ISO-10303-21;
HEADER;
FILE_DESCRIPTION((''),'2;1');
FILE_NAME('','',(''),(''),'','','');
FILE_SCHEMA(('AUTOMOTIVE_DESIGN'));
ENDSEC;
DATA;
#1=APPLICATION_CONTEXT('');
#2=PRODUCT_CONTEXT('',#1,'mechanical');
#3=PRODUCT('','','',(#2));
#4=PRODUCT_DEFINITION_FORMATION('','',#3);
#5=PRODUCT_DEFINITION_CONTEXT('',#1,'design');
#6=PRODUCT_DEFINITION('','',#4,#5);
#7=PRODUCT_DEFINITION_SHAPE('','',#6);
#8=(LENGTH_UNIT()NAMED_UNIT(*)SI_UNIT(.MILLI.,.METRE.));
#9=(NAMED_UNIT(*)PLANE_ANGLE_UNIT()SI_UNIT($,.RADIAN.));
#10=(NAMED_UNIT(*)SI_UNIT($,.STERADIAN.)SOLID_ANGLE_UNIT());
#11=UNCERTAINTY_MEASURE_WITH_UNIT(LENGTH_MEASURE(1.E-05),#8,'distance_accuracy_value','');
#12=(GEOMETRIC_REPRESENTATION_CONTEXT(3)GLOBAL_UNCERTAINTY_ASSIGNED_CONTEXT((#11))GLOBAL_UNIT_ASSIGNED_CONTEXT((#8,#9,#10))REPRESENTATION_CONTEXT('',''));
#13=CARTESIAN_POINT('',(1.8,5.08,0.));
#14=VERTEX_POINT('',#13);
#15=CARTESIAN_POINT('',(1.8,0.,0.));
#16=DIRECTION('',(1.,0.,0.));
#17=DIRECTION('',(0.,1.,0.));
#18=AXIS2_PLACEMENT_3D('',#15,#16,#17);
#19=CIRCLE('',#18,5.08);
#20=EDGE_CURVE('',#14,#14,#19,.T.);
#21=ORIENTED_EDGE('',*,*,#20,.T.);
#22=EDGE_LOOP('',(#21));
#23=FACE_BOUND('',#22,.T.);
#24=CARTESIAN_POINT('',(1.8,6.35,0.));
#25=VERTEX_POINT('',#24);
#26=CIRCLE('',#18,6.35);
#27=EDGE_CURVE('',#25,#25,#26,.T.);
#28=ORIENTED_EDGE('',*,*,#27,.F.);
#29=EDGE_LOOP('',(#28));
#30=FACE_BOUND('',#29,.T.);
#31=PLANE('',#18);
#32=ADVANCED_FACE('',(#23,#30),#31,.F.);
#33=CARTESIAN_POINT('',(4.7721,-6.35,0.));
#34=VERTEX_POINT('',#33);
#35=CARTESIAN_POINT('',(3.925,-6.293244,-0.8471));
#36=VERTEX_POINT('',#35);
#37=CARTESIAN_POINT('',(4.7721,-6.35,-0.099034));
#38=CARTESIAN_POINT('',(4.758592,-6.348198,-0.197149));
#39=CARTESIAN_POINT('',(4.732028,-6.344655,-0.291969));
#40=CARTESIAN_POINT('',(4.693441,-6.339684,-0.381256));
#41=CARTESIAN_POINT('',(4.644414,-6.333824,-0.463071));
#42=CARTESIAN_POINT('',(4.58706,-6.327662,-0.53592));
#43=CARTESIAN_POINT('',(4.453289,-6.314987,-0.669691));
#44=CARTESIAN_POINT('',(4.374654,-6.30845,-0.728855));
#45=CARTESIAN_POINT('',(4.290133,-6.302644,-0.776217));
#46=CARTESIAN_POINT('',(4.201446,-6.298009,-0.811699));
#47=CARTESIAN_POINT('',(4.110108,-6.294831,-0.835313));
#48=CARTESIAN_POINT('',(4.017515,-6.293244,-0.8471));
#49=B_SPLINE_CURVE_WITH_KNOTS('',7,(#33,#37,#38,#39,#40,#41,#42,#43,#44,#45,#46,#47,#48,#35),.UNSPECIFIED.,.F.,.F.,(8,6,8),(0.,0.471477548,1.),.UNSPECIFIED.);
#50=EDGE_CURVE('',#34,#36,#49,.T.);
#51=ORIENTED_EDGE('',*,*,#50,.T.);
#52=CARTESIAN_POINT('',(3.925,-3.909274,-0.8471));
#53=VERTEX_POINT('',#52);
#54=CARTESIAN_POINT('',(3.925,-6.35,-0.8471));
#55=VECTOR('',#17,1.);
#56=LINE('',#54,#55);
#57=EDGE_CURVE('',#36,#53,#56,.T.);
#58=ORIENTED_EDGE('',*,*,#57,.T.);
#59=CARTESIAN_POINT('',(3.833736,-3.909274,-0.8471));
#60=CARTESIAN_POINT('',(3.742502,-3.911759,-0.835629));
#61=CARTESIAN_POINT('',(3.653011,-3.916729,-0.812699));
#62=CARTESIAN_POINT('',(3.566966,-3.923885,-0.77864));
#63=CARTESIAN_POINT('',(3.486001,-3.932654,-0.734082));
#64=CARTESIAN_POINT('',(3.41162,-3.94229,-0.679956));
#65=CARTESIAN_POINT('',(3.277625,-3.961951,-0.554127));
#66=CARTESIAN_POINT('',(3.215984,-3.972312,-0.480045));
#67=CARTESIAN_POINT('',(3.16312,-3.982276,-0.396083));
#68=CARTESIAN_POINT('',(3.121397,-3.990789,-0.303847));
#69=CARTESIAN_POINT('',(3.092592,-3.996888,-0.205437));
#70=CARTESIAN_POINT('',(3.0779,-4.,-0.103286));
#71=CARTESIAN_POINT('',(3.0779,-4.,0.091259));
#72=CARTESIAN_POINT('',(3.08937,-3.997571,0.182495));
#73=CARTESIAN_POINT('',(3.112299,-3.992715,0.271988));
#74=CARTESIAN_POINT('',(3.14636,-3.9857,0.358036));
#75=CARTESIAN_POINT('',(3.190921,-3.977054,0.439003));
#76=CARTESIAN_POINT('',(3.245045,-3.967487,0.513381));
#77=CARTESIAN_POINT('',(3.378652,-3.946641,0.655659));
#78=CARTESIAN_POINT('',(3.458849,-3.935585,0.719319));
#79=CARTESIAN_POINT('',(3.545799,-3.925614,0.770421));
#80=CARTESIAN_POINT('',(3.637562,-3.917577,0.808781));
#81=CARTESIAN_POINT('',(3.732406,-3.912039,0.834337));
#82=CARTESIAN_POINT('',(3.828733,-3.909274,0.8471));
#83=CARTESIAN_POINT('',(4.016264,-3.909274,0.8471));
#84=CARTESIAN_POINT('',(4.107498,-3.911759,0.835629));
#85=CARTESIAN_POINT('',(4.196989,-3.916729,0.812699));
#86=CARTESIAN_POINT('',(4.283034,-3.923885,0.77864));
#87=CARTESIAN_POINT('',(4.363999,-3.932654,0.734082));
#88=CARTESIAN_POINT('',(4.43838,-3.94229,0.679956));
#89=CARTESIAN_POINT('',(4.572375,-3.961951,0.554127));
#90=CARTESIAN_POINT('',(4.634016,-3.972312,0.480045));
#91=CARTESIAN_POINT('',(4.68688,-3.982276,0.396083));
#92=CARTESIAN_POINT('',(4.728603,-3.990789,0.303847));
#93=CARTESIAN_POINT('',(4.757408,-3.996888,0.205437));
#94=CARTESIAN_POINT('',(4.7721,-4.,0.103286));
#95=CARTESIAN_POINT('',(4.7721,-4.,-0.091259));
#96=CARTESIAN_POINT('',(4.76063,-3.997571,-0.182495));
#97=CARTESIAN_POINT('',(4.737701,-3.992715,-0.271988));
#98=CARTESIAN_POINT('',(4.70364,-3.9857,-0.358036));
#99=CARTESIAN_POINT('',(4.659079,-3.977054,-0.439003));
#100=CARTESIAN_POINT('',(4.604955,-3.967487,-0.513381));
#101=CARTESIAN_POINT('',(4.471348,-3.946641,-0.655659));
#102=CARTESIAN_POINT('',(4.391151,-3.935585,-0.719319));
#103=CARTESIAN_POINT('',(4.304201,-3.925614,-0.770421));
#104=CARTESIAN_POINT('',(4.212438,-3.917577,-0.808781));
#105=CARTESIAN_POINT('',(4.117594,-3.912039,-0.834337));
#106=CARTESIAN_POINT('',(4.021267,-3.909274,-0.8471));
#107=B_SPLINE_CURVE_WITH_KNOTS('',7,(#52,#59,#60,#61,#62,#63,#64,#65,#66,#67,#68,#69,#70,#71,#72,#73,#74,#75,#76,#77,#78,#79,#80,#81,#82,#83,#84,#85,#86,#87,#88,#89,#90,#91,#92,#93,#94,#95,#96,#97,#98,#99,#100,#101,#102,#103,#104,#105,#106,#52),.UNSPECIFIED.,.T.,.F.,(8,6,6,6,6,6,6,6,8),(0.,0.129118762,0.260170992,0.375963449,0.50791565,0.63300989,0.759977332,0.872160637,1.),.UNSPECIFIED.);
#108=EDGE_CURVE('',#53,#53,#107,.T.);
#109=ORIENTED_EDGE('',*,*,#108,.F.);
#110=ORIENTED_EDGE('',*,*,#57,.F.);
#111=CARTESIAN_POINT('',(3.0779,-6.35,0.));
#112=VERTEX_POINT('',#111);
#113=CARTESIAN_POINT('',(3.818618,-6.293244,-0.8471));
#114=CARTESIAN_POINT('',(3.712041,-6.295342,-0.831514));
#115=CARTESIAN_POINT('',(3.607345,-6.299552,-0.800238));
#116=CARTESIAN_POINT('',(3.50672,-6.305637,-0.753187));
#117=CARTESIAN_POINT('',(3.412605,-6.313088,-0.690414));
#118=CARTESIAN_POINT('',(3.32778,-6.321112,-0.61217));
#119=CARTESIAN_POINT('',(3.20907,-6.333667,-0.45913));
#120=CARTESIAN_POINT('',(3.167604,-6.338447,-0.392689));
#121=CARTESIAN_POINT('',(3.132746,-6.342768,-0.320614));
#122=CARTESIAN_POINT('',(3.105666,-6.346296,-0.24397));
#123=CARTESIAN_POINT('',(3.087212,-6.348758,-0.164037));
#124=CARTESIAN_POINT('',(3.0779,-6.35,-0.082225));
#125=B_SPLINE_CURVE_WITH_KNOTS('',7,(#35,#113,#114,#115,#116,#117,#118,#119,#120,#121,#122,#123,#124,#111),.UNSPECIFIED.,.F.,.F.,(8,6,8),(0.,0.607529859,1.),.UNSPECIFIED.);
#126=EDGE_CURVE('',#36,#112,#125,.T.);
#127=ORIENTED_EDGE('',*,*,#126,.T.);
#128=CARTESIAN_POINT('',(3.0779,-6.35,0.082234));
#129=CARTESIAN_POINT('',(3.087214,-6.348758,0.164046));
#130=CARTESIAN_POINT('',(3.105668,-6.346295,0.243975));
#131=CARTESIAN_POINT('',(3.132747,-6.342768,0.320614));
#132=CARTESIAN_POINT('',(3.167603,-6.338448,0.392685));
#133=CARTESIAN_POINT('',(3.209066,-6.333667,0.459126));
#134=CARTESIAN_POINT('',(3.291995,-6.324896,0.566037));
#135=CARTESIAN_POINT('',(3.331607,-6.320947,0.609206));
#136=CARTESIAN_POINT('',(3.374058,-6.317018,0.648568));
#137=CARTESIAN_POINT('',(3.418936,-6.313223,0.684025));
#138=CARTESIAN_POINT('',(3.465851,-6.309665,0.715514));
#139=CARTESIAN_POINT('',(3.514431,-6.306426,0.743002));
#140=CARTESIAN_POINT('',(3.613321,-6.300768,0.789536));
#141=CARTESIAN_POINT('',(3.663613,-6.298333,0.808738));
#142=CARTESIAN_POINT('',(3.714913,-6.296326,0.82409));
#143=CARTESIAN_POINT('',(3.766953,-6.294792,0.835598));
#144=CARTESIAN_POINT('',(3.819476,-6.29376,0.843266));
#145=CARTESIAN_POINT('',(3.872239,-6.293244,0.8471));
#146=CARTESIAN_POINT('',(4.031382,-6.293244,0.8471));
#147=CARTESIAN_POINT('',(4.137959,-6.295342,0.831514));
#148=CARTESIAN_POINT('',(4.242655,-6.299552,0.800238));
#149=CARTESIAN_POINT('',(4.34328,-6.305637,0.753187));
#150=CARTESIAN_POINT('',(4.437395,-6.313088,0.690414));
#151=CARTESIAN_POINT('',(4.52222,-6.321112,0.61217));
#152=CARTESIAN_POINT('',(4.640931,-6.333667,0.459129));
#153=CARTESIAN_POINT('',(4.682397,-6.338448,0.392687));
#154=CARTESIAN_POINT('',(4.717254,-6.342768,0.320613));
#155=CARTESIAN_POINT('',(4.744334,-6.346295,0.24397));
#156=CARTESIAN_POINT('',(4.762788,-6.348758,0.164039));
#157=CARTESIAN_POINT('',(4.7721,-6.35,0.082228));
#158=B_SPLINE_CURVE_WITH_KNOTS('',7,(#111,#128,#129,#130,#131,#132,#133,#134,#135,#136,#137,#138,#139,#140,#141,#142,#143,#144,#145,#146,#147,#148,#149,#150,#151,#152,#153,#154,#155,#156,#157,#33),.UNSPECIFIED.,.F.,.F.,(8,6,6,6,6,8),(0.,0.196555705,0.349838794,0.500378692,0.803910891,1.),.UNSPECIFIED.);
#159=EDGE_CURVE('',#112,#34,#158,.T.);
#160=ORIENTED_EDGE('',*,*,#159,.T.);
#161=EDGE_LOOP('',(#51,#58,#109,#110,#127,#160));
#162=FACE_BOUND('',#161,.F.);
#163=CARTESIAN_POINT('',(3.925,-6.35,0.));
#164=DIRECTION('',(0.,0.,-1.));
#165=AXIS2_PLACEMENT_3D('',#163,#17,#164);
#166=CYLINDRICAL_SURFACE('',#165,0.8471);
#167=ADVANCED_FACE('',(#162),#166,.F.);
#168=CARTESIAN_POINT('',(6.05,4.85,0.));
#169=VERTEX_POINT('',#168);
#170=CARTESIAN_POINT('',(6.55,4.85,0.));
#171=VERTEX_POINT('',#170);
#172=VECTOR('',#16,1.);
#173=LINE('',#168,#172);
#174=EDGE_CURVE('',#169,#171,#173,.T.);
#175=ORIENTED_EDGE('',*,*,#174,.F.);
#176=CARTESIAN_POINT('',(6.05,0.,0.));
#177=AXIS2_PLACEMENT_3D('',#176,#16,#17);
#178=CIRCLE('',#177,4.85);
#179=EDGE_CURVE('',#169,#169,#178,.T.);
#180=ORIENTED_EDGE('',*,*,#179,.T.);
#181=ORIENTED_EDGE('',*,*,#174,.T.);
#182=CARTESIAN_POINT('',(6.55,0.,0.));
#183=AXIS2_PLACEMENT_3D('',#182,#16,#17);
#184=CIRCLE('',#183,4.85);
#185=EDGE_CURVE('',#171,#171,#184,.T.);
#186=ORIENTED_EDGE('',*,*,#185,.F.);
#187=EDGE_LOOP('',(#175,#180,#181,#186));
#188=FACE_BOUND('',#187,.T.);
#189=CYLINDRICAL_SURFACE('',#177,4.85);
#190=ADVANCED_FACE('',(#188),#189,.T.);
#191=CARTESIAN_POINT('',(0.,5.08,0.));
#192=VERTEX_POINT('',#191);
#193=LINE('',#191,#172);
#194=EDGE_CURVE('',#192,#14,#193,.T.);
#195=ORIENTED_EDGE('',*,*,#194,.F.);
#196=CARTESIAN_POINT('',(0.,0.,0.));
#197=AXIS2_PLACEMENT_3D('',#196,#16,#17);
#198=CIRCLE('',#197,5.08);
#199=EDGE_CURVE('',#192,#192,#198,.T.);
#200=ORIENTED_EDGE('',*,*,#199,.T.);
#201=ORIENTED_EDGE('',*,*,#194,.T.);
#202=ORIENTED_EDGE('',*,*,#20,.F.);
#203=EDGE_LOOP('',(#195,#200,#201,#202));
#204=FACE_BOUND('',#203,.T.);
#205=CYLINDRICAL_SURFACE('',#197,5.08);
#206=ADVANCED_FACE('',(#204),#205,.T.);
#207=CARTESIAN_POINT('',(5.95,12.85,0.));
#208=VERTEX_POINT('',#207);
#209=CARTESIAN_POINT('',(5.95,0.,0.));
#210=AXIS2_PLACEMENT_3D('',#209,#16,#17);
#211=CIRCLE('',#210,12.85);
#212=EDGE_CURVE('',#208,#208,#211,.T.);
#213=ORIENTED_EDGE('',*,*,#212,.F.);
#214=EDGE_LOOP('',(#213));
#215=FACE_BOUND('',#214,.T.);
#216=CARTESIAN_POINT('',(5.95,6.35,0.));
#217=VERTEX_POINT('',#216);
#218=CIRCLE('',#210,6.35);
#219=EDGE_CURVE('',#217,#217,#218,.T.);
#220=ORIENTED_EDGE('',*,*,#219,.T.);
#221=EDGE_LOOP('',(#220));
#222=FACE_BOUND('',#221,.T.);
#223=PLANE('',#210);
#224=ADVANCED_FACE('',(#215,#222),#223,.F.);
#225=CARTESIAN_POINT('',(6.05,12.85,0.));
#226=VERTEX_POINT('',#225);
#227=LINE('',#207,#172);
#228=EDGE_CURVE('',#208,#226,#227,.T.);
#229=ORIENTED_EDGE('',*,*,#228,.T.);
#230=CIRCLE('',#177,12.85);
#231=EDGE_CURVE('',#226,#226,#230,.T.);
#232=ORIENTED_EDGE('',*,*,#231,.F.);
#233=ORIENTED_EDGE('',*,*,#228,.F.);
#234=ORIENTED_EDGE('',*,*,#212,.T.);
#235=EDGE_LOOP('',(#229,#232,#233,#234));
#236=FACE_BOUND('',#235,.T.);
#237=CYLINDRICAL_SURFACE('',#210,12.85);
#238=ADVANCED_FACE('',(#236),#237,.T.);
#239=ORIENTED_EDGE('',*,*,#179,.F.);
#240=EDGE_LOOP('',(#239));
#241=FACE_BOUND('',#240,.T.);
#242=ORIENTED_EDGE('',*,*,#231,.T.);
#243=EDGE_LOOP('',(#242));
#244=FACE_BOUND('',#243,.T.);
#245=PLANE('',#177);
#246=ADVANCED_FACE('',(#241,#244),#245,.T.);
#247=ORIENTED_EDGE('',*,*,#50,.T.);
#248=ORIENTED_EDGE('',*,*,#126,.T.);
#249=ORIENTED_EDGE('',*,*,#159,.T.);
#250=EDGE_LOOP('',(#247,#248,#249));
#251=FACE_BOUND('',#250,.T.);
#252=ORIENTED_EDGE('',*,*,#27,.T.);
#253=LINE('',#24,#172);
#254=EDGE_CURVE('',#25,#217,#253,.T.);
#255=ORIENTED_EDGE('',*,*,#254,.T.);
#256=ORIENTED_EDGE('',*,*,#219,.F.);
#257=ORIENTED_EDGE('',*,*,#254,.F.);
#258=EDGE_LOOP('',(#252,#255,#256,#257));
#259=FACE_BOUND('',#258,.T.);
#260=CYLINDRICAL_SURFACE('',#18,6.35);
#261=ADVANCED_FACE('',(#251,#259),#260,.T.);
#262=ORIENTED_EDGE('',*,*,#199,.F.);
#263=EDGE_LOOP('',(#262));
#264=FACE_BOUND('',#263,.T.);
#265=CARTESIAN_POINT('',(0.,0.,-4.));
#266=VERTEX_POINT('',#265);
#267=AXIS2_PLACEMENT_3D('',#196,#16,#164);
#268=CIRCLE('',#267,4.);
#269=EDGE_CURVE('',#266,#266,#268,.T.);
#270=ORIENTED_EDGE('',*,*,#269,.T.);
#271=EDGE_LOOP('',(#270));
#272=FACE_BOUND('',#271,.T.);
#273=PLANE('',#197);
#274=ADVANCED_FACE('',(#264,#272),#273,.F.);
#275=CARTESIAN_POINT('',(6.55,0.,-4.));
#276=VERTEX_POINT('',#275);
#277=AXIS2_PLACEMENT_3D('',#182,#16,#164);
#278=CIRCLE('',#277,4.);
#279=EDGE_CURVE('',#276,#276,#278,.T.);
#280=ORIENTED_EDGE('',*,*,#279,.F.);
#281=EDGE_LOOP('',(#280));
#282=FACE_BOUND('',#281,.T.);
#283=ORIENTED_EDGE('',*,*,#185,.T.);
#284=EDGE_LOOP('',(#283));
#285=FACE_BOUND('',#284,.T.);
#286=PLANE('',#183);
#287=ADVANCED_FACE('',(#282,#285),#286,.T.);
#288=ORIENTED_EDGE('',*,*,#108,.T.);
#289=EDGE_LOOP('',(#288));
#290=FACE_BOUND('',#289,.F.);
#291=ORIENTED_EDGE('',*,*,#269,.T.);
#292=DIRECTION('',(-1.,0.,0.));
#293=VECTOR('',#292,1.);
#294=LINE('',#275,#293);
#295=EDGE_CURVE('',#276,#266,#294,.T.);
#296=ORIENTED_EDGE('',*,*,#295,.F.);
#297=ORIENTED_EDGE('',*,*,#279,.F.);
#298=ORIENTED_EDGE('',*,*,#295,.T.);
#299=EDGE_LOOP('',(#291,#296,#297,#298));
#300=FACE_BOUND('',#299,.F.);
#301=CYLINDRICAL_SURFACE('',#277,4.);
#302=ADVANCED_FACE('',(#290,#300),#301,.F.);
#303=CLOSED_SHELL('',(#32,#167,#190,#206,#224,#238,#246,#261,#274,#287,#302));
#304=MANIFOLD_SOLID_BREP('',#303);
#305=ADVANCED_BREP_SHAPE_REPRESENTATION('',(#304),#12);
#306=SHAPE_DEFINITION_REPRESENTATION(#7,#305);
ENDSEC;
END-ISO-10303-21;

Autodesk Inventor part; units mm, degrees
ref_plane "YZ Plane" through (0, 0, 0) normal (1, 0, 0) x (0, 1, 0)
ref_plane "XZ Plane" through (0, 0, 0) normal (0, 1, 0) x (-1, 0, 0)
ref_plane "XY Plane" through (0, 0, 0) normal (0, 0, 1) x (1, 0, 0)
sketch "Sketch1" plane through (0, 0, 0) normal (0, 0, 1) x (1, 0, 0)
  line L0 (0, 0) -> (0, 5.08)
  line L1 (0, 5.08) -> (1.8, 5.08)
  line L2 (1.8, 5.08) -> (1.8, 6.35)
  line L3 (1.8, 6.35) -> (5.95, 6.35)
  line L4 (5.95, 6.35) -> (5.95, 12.85)
  line L5 (5.95, 12.85) -> (6.05, 12.85)
  line L6 (6.05, 12.85) -> (6.05, 4.85)
  line L7 (6.05, 4.85) -> (6.55, 4.85)
  line L8 (6.55, 4.85) -> (6.55, 0)
  line L9 (0, 0) -> (11.8727, 0) construction
  line L10 (0, 0) -> (6.55, 0)
  dimension "d0" = 5.08
  dimension "d1" = 1.8
  dimension "d2" = 1.27
  dimension "d3" = 4.15
  dimension "d4" = 6.5
  dimension "d5" = 0.1
  dimension "d6" = 8
  dimension "d7" = 0.5
revolve "Revolution1" add sketch "Sketch1" angle 360 about axis through (0, 0, 0) along (1, 0, 0)
sketch "Sketch2" plane through (6.55, 0, 0) normal (1, 0, 0) x (0, 0, -1)
  circle A0 centre (0, 0) radius 4
  dimension "d9" = 8
extrude "Extrusion1" cut sketch "Sketch2" against normal blind 10
sketch "Sketch3" plane through (1.8, 0, 0) normal (-1, 0, 0) x (0, 0, 1)
  circle A0 centre (0, 0) radius 6.35 projected
  point P0 (0, -6.35)
ref_plane "Work Plane1" through (1.8, -6.35, 0) normal (0, -1, 0) x (1, 0, 0)
sketch "Sketch4" plane through (1.8, -6.35, 0) normal (0, -1, 0) x (1, 0, 0)
  circle A0 centre (2.125, 0) radius 1.5
  line L0 (4.25, -12.85) -> (4.25, 12.85) projected
  line L1 (0, -6.35) -> (0, 6.35) projected
  point P0 (-1.8, 0)
  dimension "d12" = 3
  dimension "d14" = 4.25
  dimension "d15" = 2.125
hole "Hole1" at (3.925, -6.35, 0) direction (0, 1, 0) diameter 1.6942 depth 6.637 tip angle 118 thread size "2-56 UNC" class "2B" standard "ANSI Unified Screw Threads"
equation "\"d15\" = 0.5 * d14"
properties part number "Tarcza impulsowa HEDS-5140"
